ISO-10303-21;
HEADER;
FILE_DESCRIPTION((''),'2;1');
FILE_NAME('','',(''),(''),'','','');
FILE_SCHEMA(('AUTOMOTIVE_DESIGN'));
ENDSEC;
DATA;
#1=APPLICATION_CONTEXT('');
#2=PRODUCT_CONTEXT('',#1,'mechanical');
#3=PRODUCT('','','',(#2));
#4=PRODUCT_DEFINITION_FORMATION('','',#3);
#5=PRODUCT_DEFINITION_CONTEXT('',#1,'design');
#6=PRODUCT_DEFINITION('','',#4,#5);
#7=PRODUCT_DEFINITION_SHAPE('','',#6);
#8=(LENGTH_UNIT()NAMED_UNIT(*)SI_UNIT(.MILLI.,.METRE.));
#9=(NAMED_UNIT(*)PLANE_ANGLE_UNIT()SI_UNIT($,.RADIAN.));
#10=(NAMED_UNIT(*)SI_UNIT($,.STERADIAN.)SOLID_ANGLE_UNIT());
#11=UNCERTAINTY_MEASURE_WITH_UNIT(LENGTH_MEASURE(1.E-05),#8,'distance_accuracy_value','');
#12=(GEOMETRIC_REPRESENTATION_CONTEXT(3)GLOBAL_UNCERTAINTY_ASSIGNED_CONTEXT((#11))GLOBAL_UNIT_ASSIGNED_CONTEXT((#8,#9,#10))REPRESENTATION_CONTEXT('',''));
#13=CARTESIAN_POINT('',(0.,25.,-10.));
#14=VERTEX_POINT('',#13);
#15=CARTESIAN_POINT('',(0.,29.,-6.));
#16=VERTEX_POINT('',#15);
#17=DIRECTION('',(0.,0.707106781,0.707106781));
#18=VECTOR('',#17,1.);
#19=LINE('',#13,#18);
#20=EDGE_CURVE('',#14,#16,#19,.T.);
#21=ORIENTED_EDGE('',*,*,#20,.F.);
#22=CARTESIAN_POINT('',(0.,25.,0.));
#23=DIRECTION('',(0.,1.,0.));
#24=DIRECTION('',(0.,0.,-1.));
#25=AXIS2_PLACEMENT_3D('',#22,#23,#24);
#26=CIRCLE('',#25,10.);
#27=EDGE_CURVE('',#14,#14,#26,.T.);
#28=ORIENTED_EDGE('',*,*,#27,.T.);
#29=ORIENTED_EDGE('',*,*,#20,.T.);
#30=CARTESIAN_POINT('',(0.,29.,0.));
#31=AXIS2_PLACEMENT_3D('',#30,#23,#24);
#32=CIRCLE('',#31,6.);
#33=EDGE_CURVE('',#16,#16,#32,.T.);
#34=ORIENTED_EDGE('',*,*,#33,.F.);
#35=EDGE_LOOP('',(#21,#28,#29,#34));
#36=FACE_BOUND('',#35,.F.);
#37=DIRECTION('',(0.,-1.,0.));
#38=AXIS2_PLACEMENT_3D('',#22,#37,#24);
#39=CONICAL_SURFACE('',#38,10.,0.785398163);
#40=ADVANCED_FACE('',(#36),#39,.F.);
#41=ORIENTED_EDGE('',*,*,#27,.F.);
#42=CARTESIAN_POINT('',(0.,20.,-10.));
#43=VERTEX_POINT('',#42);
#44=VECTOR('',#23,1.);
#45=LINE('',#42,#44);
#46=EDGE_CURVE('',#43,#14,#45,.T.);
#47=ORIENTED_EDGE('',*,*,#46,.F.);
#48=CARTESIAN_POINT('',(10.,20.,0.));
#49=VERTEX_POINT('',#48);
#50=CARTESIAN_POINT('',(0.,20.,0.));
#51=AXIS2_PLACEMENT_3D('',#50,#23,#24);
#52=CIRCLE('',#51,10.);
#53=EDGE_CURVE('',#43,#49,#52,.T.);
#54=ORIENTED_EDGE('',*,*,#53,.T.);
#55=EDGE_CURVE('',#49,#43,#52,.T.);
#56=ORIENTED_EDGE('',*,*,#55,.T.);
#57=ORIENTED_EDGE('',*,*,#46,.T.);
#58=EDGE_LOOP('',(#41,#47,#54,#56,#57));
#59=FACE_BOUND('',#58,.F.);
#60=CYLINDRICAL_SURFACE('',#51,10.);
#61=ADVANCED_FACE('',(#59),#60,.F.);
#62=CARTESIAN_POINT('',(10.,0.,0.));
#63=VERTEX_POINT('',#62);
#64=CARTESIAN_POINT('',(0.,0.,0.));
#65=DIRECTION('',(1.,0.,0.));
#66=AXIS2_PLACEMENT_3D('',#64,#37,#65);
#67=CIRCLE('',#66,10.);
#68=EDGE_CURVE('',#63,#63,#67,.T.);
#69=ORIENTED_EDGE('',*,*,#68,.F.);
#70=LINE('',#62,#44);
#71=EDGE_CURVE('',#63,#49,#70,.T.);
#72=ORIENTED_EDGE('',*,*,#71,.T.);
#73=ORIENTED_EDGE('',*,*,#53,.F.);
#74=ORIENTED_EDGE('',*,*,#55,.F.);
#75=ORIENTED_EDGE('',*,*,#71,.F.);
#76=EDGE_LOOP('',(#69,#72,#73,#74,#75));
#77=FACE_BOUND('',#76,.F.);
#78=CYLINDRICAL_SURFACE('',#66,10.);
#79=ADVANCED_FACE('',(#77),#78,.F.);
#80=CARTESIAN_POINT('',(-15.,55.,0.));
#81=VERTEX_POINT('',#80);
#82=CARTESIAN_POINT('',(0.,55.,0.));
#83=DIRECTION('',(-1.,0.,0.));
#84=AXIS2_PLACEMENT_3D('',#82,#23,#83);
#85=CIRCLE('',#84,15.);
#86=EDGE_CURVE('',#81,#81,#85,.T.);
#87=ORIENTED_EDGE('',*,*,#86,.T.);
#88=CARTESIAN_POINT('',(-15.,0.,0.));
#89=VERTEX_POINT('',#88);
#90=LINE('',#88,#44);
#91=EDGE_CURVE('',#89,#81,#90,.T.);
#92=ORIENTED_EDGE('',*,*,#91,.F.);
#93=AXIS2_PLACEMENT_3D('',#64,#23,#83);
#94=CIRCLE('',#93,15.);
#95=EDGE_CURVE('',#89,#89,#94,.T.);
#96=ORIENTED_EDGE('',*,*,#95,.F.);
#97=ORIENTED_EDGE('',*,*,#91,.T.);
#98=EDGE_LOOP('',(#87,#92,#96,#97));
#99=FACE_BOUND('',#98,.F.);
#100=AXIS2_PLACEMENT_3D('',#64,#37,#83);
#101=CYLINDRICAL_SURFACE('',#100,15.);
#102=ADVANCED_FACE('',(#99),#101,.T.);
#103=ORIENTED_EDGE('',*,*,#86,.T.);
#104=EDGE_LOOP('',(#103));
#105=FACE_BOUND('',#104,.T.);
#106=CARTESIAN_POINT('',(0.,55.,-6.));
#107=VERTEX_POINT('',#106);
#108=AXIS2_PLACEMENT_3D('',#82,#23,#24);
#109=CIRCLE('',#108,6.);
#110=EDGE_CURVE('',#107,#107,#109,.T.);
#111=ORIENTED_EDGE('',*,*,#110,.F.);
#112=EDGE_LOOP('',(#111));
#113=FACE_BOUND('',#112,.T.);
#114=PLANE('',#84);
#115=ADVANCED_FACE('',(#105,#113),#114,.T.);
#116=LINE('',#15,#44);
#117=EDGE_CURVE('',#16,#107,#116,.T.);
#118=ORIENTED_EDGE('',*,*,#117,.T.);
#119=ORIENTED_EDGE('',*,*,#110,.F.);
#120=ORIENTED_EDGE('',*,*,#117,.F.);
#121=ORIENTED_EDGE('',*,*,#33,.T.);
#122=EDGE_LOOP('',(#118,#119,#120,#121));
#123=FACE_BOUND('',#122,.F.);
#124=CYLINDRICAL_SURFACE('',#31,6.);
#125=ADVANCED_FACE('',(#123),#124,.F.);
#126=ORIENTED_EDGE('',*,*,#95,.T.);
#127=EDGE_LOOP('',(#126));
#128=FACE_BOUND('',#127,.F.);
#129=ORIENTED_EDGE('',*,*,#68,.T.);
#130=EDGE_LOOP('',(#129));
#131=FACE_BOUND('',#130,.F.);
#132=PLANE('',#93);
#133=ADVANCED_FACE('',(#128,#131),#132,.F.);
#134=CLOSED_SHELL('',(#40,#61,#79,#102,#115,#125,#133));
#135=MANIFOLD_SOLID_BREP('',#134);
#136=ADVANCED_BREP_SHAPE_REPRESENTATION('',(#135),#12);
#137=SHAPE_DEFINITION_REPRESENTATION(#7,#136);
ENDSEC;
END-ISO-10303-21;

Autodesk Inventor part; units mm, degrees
ref_plane "YZ Plane" through (0, 0, 0) normal (1, 0, 0) x (0, 1, 0)
sketch "Эскиз1" plane through (0, 0, 0) normal (0, 1, 0) x (-1, 0, 0)
  circle A0 centre (0, 0) radius 15
  dimension "d0" = 30
extrude "Выдавливание1" add sketch "Эскиз1" along normal blind 55
ref_plane "РабПлоскость1" through (0, 20, 0) normal (0, -1, 0) x (1, 0, 0)
sketch "Эскиз5" plane through (0, 20, 0) normal (0, -1, 0) x (1, 0, 0)
  point P0 (0, 0)
  point P1 (0, 0)
hole "Отверстие2" at (0, 20, 0) direction (0, 1, 0) diameter 20 depth 5
ref_plane "РабПлоскость2" through (0, 25, 0) normal (0, -1, 0) x (1, 0, 0)
sketch "Эскиз6" plane through (0, 25, 0) normal (0, -1, 0) x (1, 0, 0)
  point P0 (0, 0)
  point P1 (0, 0)
hole "Отверстие3" at (0, 25, 0) direction (0, 1, 0) diameter 12 end through all countersink diameter 20 countersink angle 90
sketch "Эскиз7" plane through (0, 0, 0) normal (0, -1, 0) x (1, 0, 0)
  circle A0 centre (0, 0) radius 10
  dimension "d24" = 20
extrude "Выдавливание2" cut sketch "Эскиз7" against normal blind 20
thread "Резьба1" size "M20x1" class "6H" standard "ISO Metric profile" length 20
